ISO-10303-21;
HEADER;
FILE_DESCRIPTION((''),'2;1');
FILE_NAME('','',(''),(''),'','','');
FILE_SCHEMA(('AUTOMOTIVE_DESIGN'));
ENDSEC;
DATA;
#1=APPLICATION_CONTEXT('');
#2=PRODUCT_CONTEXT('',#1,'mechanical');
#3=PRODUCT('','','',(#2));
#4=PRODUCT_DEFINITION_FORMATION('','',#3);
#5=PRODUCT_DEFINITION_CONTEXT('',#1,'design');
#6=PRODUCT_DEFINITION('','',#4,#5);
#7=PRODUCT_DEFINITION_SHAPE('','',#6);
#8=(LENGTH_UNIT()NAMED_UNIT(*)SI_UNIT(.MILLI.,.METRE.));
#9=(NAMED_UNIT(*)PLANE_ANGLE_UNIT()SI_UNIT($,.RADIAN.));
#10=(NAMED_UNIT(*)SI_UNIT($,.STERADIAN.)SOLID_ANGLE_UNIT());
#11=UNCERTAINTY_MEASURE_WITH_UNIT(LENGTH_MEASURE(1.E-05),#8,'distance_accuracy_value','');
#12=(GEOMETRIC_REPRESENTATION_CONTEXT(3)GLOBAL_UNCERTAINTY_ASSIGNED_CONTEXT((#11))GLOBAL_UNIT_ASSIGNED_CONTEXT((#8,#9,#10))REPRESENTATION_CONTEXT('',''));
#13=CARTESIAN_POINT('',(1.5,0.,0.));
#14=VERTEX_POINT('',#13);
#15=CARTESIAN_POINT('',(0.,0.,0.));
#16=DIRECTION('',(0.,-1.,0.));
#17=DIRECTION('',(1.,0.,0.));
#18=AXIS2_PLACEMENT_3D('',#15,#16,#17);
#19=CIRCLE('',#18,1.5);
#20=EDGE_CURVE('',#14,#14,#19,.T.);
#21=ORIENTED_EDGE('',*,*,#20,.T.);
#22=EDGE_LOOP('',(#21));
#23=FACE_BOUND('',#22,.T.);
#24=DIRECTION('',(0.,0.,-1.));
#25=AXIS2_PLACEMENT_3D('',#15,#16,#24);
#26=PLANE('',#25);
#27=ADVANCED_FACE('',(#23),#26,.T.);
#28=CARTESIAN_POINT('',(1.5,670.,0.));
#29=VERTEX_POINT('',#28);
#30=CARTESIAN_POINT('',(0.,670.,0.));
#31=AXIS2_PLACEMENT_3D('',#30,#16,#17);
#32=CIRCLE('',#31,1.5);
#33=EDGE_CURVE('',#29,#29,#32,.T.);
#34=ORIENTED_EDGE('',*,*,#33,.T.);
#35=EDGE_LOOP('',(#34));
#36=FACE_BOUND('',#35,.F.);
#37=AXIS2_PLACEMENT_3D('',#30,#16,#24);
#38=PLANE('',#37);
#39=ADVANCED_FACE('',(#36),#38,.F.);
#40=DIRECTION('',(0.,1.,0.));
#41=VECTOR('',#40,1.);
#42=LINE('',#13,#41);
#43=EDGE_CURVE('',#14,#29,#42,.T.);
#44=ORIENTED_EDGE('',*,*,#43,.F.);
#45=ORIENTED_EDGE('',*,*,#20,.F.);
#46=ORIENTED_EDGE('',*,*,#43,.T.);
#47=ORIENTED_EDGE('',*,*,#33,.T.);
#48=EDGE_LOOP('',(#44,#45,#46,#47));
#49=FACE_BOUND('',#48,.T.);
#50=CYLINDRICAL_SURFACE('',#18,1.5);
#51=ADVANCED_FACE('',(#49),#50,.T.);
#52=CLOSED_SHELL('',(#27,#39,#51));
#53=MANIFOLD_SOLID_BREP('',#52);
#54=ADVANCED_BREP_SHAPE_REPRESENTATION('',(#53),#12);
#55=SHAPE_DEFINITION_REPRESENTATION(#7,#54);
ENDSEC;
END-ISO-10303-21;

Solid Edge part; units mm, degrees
sketch "Sketch1" plane through (0, 0, 0) normal (0, -1, 0) x (1, 0, 0)
  circle A0 centre (0, 0) radius 1.5
  dimension "D1" = 3
extrude "Protrusion1" add sketch "Sketch1" against normal blind 670
